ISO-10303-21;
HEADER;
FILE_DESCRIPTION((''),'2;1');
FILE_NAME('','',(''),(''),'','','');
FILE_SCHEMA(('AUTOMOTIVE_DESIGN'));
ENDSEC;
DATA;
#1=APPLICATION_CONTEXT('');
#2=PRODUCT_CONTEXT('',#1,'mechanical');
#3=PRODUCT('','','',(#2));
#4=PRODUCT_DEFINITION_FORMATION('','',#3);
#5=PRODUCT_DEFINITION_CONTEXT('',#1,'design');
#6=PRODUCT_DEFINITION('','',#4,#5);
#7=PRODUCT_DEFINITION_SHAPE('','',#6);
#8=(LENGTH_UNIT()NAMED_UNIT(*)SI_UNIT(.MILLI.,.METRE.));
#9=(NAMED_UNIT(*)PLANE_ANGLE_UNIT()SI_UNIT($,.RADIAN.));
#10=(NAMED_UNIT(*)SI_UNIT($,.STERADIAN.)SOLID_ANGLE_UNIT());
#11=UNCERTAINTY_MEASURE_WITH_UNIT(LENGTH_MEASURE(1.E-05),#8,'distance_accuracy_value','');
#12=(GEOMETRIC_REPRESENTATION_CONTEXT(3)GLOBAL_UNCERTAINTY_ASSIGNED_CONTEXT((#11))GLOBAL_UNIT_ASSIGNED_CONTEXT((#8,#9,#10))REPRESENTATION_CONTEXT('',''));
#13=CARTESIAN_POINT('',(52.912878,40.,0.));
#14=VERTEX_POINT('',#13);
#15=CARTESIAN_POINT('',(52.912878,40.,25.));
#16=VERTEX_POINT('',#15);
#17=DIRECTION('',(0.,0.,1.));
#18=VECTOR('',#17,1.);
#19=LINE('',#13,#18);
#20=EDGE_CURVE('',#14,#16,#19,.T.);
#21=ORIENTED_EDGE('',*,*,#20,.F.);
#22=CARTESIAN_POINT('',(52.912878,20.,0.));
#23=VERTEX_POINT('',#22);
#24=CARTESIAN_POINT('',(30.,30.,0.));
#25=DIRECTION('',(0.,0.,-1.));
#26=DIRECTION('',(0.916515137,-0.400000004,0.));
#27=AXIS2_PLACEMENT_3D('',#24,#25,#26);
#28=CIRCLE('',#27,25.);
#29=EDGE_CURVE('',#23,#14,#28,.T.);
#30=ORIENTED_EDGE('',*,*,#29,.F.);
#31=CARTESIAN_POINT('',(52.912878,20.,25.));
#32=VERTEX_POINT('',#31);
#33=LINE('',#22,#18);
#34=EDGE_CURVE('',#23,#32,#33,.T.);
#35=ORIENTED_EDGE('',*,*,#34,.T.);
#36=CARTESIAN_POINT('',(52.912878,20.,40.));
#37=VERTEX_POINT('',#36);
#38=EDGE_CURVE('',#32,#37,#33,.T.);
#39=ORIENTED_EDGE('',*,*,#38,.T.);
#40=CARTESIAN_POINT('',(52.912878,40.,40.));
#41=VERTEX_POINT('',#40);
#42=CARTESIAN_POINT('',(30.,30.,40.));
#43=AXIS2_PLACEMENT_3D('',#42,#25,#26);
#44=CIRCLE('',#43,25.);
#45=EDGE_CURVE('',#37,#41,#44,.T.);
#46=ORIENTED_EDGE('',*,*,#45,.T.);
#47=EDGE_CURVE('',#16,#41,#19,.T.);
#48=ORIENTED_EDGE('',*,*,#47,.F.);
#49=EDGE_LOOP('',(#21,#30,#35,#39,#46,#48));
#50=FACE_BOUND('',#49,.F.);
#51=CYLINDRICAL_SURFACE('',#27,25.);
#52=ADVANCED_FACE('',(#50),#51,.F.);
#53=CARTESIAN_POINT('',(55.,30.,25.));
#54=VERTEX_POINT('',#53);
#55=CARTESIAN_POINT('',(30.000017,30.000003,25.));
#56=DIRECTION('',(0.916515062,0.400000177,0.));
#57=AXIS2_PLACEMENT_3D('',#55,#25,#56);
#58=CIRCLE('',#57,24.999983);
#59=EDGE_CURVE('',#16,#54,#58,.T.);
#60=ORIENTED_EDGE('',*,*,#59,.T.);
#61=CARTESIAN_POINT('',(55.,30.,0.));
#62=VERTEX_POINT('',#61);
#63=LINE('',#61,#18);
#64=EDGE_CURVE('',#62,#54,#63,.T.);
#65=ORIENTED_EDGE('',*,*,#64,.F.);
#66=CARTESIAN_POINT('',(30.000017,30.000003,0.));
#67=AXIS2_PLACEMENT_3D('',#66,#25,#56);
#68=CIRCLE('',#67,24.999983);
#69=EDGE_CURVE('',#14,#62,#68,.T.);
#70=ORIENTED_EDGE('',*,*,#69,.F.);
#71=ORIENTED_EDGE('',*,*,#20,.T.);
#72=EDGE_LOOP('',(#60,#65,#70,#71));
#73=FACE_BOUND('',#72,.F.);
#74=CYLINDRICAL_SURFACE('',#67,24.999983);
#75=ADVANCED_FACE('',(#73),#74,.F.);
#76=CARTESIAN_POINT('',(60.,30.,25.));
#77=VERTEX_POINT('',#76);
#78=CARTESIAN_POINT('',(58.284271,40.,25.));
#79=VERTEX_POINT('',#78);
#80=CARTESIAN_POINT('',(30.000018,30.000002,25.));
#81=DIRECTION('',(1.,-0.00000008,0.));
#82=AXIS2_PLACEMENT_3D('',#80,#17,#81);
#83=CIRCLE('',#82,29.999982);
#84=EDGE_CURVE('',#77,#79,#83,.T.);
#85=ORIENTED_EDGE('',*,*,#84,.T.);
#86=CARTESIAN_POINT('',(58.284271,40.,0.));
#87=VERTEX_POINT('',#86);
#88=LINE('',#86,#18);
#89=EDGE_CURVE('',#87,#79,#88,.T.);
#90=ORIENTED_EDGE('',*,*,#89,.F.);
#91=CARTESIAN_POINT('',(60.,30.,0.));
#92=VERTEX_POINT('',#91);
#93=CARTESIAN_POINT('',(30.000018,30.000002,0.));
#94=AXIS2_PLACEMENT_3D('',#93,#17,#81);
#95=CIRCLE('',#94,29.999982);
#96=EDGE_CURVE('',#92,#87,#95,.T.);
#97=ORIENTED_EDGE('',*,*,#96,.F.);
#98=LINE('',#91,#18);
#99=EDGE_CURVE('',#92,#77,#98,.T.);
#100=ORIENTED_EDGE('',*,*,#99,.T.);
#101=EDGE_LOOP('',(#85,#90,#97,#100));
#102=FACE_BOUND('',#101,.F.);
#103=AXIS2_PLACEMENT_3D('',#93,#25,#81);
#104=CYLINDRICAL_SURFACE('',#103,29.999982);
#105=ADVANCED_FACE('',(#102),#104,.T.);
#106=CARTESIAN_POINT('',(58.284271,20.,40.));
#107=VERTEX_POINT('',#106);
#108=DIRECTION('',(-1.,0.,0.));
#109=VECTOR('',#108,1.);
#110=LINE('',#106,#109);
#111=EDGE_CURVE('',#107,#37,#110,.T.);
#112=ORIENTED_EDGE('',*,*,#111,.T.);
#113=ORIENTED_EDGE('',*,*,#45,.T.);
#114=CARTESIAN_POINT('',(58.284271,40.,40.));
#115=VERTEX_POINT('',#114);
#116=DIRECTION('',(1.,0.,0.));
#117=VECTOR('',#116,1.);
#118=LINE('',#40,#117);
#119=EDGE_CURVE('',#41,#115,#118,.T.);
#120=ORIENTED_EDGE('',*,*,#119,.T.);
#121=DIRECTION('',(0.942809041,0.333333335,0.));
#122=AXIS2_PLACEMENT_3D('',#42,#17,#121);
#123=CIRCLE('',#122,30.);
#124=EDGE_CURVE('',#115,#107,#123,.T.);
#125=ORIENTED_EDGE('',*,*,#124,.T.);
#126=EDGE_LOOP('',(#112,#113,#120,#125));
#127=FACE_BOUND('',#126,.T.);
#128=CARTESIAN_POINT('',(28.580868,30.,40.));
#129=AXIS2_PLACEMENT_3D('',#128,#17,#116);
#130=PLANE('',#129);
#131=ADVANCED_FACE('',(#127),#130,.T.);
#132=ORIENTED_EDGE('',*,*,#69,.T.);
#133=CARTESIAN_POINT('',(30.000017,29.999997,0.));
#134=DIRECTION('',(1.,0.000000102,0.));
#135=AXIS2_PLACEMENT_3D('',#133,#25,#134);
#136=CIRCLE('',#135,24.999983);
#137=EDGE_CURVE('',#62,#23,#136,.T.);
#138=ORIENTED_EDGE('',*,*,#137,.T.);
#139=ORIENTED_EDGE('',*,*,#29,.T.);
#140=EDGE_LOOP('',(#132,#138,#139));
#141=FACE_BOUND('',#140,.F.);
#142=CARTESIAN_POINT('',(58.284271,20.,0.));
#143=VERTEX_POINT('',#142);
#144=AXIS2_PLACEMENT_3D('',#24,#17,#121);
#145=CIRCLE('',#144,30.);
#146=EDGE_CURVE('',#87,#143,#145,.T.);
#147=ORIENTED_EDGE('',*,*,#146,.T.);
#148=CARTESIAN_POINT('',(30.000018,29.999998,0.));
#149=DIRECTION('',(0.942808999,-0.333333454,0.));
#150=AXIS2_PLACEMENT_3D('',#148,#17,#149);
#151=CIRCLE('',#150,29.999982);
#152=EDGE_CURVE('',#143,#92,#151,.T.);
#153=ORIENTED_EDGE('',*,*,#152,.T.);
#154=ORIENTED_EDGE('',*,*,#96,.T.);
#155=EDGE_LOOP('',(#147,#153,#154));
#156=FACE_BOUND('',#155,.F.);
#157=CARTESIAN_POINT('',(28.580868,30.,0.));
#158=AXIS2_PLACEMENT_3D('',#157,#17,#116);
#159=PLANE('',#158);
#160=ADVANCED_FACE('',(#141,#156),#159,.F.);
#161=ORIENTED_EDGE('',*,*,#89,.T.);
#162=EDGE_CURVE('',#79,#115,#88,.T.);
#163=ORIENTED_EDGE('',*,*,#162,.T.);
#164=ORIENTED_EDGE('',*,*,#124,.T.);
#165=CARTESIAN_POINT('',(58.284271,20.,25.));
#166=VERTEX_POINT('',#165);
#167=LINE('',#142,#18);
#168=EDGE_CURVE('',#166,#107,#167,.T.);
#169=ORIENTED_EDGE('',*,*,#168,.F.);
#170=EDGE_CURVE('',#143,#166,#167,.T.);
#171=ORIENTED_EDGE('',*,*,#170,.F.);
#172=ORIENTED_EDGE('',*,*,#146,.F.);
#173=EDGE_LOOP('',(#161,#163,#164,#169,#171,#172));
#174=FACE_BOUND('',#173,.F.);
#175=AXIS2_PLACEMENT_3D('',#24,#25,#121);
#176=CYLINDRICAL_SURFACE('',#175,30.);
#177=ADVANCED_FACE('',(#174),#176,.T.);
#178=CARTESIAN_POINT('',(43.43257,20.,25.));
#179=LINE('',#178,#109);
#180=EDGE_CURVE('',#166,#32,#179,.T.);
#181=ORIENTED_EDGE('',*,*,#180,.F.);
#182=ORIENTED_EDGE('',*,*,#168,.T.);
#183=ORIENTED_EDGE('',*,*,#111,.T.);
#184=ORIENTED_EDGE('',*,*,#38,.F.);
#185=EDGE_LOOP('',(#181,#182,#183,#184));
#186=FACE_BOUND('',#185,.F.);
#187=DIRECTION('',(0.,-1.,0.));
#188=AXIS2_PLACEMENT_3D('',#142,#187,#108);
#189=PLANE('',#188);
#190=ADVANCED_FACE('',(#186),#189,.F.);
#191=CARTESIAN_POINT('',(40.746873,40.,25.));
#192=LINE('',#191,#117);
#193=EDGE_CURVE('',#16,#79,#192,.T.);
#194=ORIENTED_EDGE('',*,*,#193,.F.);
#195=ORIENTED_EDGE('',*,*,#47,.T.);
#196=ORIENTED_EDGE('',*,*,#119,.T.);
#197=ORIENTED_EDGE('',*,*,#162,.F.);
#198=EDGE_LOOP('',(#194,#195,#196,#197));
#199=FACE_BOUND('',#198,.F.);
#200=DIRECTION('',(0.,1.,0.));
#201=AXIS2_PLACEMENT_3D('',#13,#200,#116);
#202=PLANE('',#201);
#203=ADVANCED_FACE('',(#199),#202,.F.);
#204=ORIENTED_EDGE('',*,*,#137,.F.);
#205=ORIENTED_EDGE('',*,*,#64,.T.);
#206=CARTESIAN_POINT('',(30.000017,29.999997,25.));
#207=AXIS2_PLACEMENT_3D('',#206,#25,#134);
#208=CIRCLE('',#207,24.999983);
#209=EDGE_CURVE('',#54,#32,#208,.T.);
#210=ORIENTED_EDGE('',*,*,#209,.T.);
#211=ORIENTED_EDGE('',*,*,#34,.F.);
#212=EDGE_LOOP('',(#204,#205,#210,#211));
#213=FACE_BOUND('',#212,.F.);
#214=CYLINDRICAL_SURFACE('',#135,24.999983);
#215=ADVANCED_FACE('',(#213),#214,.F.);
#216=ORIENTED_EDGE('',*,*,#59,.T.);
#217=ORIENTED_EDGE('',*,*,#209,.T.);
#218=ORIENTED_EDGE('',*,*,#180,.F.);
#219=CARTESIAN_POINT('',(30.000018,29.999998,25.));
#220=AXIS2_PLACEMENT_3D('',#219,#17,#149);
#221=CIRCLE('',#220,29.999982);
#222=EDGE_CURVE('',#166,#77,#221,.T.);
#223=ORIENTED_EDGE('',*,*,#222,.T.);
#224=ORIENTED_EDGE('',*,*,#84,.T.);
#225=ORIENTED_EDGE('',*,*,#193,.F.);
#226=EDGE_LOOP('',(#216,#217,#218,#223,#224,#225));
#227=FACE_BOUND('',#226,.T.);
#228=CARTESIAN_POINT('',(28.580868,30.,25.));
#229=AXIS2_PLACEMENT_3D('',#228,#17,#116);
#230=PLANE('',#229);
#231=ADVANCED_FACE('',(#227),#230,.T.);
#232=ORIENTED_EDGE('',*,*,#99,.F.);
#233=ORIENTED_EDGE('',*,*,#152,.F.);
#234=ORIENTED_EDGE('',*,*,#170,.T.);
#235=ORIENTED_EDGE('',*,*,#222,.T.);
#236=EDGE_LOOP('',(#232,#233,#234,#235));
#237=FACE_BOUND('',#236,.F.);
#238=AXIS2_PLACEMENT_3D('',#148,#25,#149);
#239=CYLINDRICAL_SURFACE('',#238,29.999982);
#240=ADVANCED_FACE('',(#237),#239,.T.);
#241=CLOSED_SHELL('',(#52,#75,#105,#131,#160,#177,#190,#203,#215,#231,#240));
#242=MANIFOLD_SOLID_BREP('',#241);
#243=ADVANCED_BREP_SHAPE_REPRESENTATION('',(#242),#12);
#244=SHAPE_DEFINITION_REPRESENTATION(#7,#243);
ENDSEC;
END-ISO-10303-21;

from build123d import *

# Parameters (mm, degrees)
F1_DEPTH = 40
F2_DEPTH = 25


with BuildPart() as f1:
    # F0 (on Top) → F1 (new body)
    with BuildSketch(Plane.XY):
        with BuildLine():
            Line((52.912878, 40), (58.284271, 40))
            ThreePointArc((58.284271, 40), (0, 30), (58.284271, 20))
            Line((58.284271, 20), (52.912878, 20))
            ThreePointArc((52.912878, 20), (5, 30), (52.912878, 40))
        make_face()
    extrude(amount=F1_DEPTH)

    # F0 (on Top) → F2 (join)
    with BuildSketch(Plane.XY):
        with BuildLine():
            Line((52.912878, 40), (58.284271, 40))
            ThreePointArc((58.284271, 40), (0, 30), (58.284271, 20))
            Line((58.284271, 20), (52.912878, 20))
            ThreePointArc((52.912878, 20), (5, 30), (52.912878, 40))
        make_face()
        with BuildLine():
            ThreePointArc((60, 30), (59.567957, 35.073059), (58.284271, 40))
            Line((58.284271, 40), (52.912878, 40))
            ThreePointArc((52.912878, 40), (54.472658, 35.107741), (55, 30))
            ThreePointArc((55, 30), (54.472658, 24.892259), (52.912878, 20))
            Line((52.912878, 20), (58.284271, 20))
            ThreePointArc((58.284271, 20), (59.567957, 24.926941), (60, 30))
        make_face()
    extrude(amount=F2_DEPTH)


solid = f1.part
